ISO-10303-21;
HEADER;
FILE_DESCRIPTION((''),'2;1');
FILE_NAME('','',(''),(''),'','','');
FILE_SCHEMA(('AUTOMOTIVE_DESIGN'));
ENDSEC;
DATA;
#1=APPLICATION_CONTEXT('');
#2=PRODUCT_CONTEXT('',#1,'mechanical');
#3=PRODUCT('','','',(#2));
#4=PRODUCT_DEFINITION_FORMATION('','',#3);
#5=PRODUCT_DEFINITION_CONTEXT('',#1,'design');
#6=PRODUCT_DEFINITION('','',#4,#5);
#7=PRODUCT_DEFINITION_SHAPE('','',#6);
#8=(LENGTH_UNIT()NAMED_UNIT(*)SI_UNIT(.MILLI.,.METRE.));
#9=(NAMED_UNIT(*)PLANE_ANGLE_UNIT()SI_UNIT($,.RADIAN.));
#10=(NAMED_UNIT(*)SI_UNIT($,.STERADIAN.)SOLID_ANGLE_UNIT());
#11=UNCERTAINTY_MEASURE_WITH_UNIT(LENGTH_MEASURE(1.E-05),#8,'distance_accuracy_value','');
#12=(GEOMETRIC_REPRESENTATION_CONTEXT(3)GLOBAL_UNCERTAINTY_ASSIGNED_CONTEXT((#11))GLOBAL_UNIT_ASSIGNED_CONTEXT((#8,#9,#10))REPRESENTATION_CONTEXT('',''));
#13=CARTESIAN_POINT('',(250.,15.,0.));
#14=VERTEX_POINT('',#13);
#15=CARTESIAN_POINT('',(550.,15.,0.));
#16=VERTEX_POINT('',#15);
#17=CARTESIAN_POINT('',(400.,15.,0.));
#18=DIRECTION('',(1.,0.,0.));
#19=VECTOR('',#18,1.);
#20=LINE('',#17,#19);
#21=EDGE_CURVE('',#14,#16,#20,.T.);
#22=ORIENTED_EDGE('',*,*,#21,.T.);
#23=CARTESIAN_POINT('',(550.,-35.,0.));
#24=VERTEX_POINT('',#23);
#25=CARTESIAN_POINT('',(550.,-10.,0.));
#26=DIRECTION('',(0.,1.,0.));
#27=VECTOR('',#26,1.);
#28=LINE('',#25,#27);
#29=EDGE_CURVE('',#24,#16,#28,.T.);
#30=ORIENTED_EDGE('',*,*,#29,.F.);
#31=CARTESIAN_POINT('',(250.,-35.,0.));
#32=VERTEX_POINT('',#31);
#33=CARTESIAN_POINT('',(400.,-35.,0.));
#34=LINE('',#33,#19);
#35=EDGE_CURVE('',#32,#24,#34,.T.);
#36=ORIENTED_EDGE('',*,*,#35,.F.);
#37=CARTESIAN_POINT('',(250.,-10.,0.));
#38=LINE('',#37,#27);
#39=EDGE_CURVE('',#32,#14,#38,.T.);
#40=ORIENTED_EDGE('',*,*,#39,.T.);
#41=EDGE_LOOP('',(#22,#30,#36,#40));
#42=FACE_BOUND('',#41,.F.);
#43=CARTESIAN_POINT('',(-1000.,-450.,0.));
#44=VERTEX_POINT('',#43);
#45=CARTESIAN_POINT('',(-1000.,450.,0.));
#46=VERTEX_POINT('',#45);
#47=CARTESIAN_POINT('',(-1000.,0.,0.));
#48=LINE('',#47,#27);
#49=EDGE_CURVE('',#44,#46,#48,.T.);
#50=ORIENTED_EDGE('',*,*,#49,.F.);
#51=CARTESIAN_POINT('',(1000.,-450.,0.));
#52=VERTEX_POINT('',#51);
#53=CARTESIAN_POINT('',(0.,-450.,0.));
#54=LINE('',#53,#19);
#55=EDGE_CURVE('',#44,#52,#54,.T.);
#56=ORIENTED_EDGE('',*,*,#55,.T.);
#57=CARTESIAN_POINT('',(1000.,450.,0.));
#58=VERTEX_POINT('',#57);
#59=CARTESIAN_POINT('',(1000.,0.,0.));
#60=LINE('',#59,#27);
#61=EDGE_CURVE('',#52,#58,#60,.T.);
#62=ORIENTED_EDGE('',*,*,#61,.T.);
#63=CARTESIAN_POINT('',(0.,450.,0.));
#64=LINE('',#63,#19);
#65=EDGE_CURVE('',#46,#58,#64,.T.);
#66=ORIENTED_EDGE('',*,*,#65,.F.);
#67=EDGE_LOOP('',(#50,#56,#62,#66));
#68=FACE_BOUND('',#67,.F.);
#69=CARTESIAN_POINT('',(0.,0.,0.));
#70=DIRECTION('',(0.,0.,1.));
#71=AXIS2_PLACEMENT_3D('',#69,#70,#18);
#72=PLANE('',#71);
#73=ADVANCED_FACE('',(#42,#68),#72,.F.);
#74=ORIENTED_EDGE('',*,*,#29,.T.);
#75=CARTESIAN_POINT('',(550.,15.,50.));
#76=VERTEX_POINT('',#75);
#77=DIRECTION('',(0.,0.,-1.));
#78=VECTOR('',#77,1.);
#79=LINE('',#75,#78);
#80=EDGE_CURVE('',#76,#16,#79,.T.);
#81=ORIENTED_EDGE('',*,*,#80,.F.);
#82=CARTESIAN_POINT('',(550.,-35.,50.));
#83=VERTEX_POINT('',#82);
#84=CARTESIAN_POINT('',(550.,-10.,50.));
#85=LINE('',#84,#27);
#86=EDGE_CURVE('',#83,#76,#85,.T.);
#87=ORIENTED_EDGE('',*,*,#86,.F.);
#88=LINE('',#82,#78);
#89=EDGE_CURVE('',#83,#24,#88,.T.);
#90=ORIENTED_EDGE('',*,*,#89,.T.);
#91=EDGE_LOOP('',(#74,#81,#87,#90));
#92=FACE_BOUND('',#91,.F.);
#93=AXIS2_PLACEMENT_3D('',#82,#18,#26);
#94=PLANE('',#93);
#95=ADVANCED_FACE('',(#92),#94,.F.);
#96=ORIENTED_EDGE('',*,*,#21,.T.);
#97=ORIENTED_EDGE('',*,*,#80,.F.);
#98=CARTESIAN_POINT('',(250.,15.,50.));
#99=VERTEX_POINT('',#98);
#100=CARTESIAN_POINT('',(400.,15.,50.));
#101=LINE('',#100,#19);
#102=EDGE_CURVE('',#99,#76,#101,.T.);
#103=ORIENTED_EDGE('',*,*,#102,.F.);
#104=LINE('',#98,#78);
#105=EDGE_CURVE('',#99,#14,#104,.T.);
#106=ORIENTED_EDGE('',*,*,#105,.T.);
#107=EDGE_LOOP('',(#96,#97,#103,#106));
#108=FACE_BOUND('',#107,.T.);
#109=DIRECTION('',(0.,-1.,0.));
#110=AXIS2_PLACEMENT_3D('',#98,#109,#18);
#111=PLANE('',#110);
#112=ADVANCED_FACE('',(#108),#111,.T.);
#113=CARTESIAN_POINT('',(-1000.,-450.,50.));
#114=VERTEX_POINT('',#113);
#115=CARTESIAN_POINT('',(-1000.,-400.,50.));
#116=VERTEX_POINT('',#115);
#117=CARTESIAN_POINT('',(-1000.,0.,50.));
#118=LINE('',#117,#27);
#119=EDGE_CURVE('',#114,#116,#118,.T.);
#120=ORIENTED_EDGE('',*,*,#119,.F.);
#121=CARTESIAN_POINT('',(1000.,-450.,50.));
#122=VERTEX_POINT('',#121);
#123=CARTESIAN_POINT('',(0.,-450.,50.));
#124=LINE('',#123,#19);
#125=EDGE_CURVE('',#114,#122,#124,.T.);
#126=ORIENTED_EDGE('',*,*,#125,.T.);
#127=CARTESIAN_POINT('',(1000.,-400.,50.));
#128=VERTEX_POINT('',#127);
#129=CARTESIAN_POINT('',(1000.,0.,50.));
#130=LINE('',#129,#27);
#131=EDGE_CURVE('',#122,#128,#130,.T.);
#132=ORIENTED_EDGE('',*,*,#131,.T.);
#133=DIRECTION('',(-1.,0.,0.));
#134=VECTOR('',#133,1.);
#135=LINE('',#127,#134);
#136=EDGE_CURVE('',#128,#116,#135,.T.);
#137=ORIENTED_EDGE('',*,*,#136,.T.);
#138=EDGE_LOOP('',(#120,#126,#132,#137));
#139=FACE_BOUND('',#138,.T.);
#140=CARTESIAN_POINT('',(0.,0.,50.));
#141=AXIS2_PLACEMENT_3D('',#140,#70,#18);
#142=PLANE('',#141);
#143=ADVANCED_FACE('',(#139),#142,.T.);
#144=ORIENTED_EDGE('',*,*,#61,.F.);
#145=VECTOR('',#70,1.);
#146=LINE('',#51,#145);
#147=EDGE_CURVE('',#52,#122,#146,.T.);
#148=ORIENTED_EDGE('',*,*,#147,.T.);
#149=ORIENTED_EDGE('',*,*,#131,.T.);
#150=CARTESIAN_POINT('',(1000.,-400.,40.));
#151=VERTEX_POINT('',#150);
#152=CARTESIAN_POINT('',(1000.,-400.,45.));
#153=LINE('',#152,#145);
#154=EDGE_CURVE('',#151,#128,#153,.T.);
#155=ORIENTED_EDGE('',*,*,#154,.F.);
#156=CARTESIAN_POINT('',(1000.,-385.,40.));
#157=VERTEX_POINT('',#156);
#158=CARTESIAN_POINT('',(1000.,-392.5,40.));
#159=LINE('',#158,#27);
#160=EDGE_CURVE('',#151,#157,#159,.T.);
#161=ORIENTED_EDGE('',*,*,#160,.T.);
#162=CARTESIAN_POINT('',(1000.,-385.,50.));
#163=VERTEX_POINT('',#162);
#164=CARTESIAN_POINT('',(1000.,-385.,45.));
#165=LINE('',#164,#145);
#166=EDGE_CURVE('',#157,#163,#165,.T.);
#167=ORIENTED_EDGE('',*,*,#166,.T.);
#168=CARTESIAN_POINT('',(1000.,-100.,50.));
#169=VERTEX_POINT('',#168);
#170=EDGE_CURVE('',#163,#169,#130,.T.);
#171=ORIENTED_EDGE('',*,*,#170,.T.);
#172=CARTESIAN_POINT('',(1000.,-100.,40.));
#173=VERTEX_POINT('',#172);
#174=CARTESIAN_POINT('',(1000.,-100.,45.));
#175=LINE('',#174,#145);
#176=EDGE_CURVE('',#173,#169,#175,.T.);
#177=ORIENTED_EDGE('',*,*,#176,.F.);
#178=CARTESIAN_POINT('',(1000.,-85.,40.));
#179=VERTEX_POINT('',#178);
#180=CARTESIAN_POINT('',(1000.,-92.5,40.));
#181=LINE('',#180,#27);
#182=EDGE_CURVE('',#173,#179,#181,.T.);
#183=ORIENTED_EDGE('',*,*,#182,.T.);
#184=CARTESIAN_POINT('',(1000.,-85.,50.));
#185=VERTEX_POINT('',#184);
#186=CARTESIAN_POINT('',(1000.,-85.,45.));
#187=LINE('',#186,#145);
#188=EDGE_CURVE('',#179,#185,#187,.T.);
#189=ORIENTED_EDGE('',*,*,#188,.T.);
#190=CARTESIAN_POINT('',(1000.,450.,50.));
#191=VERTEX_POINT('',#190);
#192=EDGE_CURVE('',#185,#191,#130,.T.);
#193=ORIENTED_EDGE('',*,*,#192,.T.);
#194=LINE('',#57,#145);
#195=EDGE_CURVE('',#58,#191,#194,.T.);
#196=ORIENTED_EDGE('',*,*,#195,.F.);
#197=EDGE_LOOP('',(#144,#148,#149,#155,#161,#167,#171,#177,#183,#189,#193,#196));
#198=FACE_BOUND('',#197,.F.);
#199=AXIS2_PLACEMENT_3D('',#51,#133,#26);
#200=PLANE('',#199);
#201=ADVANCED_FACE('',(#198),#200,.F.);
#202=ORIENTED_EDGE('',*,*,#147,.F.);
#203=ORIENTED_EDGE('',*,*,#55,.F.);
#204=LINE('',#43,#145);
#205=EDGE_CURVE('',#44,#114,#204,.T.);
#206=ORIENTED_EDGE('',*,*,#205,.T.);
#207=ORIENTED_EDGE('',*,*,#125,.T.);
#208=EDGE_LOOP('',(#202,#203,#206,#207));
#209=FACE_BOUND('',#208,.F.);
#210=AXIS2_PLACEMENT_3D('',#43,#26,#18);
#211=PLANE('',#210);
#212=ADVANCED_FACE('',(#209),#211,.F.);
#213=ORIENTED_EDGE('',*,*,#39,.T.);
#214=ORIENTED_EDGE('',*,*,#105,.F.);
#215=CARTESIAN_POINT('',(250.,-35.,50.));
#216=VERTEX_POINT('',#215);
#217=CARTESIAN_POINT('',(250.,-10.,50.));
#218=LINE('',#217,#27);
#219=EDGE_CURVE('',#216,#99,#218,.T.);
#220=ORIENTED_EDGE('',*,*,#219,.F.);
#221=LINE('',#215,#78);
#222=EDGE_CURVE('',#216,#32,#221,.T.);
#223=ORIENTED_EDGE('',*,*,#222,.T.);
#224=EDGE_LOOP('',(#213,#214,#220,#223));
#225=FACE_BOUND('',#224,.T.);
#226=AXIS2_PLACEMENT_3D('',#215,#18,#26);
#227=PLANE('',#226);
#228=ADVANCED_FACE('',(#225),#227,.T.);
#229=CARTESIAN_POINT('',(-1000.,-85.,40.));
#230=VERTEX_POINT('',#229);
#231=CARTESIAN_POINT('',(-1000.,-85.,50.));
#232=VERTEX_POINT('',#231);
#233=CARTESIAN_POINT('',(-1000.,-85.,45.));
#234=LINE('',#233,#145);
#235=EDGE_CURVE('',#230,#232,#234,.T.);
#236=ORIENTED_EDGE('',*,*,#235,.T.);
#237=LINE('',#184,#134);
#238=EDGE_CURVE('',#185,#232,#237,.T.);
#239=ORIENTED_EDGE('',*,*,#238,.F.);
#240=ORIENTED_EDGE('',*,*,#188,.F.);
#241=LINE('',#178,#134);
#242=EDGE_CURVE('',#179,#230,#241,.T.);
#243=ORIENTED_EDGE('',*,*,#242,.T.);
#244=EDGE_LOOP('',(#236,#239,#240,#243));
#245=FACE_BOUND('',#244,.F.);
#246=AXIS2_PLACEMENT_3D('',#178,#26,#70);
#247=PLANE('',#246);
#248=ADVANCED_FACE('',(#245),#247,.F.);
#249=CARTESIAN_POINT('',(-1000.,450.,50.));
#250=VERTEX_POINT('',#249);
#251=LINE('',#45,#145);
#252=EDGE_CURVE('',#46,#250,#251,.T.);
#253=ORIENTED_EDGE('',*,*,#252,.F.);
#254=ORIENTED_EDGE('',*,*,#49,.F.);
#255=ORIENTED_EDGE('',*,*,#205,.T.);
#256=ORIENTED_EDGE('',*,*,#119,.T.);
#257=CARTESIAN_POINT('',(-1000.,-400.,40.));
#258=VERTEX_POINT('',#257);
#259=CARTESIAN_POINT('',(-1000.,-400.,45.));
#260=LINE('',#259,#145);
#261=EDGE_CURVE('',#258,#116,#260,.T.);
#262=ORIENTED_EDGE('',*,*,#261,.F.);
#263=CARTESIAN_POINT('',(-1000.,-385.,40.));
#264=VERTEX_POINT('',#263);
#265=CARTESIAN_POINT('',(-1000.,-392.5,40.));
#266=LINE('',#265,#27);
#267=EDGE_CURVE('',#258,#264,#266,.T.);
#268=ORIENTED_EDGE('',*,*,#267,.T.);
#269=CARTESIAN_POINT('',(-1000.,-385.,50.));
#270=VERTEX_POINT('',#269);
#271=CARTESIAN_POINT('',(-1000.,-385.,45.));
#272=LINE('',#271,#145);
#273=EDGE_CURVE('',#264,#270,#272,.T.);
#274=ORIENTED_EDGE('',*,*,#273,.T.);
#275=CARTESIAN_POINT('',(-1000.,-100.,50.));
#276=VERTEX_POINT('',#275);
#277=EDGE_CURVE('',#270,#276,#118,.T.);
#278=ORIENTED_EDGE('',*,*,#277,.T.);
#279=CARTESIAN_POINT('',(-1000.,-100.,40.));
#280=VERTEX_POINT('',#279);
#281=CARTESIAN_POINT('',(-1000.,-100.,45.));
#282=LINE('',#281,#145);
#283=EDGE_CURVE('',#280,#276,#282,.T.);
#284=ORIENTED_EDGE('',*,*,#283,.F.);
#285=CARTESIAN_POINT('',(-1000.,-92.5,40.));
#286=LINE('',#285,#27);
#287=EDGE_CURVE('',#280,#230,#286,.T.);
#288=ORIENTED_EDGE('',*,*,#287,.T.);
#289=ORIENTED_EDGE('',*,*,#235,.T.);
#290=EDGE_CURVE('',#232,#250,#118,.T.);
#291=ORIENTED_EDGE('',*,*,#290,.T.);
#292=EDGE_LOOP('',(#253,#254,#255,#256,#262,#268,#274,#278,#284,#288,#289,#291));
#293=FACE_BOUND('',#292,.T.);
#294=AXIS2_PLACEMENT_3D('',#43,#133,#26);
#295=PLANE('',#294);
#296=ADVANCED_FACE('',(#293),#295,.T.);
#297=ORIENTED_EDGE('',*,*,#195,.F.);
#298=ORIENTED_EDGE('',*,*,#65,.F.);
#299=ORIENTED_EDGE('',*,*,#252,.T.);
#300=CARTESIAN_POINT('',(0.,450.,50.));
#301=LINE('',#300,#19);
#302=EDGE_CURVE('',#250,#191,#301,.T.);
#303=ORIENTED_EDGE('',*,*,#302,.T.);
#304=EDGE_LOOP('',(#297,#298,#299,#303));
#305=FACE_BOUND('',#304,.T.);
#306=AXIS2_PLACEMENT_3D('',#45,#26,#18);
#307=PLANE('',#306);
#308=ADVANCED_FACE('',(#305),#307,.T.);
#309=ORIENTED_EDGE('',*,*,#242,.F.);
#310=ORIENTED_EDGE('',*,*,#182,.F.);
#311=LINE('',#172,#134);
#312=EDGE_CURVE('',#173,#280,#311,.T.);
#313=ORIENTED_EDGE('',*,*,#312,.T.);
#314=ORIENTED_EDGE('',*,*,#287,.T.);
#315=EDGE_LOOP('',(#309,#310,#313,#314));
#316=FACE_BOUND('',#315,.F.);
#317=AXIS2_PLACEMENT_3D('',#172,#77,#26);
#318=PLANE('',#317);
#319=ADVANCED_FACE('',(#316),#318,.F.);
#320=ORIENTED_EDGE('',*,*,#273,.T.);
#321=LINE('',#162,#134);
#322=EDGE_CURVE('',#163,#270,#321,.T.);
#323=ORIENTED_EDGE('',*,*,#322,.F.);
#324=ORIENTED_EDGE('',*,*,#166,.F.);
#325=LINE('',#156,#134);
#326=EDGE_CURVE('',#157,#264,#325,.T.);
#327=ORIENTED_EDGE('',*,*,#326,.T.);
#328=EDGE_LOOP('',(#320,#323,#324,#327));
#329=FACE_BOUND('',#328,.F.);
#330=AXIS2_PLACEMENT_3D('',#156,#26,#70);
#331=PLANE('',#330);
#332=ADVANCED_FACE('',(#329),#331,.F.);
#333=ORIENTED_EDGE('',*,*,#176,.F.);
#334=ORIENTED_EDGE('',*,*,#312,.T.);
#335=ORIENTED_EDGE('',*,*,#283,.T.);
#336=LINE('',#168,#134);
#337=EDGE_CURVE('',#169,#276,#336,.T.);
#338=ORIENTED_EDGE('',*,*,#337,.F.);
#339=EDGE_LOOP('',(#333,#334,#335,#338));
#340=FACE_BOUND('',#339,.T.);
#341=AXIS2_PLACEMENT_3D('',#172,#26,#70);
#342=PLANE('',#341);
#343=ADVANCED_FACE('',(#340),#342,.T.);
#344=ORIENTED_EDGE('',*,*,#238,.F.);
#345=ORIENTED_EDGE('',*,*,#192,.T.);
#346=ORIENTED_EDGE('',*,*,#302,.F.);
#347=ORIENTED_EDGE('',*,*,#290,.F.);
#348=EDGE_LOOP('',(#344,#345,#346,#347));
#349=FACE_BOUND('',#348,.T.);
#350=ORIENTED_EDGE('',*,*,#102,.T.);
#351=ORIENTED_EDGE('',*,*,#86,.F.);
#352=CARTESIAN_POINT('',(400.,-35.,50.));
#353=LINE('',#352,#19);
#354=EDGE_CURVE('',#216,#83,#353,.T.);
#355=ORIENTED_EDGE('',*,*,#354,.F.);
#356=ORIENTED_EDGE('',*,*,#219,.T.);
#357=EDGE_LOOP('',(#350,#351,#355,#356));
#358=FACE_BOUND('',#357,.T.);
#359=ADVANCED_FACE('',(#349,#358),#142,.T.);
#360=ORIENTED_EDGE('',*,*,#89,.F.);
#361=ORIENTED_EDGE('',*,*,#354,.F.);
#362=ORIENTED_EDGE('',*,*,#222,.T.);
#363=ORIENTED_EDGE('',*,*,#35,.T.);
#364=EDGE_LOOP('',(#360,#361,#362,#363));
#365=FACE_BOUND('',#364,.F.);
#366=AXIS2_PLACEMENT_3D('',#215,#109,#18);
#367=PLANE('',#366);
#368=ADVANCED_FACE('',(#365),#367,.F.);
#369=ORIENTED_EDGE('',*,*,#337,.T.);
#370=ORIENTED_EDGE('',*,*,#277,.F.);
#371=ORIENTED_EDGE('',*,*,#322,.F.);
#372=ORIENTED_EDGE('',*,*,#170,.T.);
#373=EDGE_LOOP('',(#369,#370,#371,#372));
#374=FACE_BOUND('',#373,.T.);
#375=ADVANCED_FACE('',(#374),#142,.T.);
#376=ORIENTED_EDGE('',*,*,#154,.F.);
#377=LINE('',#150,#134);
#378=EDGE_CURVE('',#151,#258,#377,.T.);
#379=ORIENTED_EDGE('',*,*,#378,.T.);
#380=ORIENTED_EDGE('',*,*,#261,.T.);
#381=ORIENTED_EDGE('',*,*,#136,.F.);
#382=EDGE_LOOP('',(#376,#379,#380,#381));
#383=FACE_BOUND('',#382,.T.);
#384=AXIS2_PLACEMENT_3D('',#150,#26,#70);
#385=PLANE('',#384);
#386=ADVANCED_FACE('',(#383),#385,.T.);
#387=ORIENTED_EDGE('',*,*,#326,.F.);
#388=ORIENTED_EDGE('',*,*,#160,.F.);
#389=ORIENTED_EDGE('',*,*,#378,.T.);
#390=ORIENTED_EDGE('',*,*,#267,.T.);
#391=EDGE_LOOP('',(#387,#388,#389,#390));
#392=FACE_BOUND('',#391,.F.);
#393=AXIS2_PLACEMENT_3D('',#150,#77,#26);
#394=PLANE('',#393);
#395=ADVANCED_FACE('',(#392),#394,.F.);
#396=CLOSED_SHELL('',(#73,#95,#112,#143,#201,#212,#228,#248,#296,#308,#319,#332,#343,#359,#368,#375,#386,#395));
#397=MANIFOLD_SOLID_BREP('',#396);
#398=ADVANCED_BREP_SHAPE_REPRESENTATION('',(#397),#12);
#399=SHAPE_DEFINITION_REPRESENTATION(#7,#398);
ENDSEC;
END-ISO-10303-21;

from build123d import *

# Parameters (mm, degrees)
F0_W     = 2000
F0_H     = 900
F1_DEPTH = 50
F3_W     = 15
F3_H     = 10
F4_DEPTH = 2000
F5_W     = 15
F5_H     = 10
F6_DEPTH = 2000
F7_W     = 300
F7_H     = 50
F8_DEPTH = 50


with BuildPart() as f1:
    # F0 (on Top) → F1 (new body)
    with BuildSketch(Plane.XY):
        Rectangle(F0_W, F0_H)
    extrude(amount=F1_DEPTH)

    # F3 (on face) → F4 (cut)
    with BuildSketch(Plane.YZ.offset(1000)):
        with Locations((-92.5, 45)):
            Rectangle(F3_W, F3_H)
    extrude(amount=-F4_DEPTH, mode=Mode.SUBTRACT)

    # F5 (on face) → F6 (cut)
    with BuildSketch(Plane.YZ.offset(1000)):
        with Locations((-392.5, 45)):
            Rectangle(F5_W, F5_H)
    extrude(amount=-F6_DEPTH, mode=Mode.SUBTRACT)

    # F7 (on face) → F8 (cut)
    with BuildSketch(Plane.XY.offset(50)):
        with Locations((400, -10)):
            Rectangle(F7_W, F7_H)
    extrude(amount=-F8_DEPTH, mode=Mode.SUBTRACT)


solid = f1.part
